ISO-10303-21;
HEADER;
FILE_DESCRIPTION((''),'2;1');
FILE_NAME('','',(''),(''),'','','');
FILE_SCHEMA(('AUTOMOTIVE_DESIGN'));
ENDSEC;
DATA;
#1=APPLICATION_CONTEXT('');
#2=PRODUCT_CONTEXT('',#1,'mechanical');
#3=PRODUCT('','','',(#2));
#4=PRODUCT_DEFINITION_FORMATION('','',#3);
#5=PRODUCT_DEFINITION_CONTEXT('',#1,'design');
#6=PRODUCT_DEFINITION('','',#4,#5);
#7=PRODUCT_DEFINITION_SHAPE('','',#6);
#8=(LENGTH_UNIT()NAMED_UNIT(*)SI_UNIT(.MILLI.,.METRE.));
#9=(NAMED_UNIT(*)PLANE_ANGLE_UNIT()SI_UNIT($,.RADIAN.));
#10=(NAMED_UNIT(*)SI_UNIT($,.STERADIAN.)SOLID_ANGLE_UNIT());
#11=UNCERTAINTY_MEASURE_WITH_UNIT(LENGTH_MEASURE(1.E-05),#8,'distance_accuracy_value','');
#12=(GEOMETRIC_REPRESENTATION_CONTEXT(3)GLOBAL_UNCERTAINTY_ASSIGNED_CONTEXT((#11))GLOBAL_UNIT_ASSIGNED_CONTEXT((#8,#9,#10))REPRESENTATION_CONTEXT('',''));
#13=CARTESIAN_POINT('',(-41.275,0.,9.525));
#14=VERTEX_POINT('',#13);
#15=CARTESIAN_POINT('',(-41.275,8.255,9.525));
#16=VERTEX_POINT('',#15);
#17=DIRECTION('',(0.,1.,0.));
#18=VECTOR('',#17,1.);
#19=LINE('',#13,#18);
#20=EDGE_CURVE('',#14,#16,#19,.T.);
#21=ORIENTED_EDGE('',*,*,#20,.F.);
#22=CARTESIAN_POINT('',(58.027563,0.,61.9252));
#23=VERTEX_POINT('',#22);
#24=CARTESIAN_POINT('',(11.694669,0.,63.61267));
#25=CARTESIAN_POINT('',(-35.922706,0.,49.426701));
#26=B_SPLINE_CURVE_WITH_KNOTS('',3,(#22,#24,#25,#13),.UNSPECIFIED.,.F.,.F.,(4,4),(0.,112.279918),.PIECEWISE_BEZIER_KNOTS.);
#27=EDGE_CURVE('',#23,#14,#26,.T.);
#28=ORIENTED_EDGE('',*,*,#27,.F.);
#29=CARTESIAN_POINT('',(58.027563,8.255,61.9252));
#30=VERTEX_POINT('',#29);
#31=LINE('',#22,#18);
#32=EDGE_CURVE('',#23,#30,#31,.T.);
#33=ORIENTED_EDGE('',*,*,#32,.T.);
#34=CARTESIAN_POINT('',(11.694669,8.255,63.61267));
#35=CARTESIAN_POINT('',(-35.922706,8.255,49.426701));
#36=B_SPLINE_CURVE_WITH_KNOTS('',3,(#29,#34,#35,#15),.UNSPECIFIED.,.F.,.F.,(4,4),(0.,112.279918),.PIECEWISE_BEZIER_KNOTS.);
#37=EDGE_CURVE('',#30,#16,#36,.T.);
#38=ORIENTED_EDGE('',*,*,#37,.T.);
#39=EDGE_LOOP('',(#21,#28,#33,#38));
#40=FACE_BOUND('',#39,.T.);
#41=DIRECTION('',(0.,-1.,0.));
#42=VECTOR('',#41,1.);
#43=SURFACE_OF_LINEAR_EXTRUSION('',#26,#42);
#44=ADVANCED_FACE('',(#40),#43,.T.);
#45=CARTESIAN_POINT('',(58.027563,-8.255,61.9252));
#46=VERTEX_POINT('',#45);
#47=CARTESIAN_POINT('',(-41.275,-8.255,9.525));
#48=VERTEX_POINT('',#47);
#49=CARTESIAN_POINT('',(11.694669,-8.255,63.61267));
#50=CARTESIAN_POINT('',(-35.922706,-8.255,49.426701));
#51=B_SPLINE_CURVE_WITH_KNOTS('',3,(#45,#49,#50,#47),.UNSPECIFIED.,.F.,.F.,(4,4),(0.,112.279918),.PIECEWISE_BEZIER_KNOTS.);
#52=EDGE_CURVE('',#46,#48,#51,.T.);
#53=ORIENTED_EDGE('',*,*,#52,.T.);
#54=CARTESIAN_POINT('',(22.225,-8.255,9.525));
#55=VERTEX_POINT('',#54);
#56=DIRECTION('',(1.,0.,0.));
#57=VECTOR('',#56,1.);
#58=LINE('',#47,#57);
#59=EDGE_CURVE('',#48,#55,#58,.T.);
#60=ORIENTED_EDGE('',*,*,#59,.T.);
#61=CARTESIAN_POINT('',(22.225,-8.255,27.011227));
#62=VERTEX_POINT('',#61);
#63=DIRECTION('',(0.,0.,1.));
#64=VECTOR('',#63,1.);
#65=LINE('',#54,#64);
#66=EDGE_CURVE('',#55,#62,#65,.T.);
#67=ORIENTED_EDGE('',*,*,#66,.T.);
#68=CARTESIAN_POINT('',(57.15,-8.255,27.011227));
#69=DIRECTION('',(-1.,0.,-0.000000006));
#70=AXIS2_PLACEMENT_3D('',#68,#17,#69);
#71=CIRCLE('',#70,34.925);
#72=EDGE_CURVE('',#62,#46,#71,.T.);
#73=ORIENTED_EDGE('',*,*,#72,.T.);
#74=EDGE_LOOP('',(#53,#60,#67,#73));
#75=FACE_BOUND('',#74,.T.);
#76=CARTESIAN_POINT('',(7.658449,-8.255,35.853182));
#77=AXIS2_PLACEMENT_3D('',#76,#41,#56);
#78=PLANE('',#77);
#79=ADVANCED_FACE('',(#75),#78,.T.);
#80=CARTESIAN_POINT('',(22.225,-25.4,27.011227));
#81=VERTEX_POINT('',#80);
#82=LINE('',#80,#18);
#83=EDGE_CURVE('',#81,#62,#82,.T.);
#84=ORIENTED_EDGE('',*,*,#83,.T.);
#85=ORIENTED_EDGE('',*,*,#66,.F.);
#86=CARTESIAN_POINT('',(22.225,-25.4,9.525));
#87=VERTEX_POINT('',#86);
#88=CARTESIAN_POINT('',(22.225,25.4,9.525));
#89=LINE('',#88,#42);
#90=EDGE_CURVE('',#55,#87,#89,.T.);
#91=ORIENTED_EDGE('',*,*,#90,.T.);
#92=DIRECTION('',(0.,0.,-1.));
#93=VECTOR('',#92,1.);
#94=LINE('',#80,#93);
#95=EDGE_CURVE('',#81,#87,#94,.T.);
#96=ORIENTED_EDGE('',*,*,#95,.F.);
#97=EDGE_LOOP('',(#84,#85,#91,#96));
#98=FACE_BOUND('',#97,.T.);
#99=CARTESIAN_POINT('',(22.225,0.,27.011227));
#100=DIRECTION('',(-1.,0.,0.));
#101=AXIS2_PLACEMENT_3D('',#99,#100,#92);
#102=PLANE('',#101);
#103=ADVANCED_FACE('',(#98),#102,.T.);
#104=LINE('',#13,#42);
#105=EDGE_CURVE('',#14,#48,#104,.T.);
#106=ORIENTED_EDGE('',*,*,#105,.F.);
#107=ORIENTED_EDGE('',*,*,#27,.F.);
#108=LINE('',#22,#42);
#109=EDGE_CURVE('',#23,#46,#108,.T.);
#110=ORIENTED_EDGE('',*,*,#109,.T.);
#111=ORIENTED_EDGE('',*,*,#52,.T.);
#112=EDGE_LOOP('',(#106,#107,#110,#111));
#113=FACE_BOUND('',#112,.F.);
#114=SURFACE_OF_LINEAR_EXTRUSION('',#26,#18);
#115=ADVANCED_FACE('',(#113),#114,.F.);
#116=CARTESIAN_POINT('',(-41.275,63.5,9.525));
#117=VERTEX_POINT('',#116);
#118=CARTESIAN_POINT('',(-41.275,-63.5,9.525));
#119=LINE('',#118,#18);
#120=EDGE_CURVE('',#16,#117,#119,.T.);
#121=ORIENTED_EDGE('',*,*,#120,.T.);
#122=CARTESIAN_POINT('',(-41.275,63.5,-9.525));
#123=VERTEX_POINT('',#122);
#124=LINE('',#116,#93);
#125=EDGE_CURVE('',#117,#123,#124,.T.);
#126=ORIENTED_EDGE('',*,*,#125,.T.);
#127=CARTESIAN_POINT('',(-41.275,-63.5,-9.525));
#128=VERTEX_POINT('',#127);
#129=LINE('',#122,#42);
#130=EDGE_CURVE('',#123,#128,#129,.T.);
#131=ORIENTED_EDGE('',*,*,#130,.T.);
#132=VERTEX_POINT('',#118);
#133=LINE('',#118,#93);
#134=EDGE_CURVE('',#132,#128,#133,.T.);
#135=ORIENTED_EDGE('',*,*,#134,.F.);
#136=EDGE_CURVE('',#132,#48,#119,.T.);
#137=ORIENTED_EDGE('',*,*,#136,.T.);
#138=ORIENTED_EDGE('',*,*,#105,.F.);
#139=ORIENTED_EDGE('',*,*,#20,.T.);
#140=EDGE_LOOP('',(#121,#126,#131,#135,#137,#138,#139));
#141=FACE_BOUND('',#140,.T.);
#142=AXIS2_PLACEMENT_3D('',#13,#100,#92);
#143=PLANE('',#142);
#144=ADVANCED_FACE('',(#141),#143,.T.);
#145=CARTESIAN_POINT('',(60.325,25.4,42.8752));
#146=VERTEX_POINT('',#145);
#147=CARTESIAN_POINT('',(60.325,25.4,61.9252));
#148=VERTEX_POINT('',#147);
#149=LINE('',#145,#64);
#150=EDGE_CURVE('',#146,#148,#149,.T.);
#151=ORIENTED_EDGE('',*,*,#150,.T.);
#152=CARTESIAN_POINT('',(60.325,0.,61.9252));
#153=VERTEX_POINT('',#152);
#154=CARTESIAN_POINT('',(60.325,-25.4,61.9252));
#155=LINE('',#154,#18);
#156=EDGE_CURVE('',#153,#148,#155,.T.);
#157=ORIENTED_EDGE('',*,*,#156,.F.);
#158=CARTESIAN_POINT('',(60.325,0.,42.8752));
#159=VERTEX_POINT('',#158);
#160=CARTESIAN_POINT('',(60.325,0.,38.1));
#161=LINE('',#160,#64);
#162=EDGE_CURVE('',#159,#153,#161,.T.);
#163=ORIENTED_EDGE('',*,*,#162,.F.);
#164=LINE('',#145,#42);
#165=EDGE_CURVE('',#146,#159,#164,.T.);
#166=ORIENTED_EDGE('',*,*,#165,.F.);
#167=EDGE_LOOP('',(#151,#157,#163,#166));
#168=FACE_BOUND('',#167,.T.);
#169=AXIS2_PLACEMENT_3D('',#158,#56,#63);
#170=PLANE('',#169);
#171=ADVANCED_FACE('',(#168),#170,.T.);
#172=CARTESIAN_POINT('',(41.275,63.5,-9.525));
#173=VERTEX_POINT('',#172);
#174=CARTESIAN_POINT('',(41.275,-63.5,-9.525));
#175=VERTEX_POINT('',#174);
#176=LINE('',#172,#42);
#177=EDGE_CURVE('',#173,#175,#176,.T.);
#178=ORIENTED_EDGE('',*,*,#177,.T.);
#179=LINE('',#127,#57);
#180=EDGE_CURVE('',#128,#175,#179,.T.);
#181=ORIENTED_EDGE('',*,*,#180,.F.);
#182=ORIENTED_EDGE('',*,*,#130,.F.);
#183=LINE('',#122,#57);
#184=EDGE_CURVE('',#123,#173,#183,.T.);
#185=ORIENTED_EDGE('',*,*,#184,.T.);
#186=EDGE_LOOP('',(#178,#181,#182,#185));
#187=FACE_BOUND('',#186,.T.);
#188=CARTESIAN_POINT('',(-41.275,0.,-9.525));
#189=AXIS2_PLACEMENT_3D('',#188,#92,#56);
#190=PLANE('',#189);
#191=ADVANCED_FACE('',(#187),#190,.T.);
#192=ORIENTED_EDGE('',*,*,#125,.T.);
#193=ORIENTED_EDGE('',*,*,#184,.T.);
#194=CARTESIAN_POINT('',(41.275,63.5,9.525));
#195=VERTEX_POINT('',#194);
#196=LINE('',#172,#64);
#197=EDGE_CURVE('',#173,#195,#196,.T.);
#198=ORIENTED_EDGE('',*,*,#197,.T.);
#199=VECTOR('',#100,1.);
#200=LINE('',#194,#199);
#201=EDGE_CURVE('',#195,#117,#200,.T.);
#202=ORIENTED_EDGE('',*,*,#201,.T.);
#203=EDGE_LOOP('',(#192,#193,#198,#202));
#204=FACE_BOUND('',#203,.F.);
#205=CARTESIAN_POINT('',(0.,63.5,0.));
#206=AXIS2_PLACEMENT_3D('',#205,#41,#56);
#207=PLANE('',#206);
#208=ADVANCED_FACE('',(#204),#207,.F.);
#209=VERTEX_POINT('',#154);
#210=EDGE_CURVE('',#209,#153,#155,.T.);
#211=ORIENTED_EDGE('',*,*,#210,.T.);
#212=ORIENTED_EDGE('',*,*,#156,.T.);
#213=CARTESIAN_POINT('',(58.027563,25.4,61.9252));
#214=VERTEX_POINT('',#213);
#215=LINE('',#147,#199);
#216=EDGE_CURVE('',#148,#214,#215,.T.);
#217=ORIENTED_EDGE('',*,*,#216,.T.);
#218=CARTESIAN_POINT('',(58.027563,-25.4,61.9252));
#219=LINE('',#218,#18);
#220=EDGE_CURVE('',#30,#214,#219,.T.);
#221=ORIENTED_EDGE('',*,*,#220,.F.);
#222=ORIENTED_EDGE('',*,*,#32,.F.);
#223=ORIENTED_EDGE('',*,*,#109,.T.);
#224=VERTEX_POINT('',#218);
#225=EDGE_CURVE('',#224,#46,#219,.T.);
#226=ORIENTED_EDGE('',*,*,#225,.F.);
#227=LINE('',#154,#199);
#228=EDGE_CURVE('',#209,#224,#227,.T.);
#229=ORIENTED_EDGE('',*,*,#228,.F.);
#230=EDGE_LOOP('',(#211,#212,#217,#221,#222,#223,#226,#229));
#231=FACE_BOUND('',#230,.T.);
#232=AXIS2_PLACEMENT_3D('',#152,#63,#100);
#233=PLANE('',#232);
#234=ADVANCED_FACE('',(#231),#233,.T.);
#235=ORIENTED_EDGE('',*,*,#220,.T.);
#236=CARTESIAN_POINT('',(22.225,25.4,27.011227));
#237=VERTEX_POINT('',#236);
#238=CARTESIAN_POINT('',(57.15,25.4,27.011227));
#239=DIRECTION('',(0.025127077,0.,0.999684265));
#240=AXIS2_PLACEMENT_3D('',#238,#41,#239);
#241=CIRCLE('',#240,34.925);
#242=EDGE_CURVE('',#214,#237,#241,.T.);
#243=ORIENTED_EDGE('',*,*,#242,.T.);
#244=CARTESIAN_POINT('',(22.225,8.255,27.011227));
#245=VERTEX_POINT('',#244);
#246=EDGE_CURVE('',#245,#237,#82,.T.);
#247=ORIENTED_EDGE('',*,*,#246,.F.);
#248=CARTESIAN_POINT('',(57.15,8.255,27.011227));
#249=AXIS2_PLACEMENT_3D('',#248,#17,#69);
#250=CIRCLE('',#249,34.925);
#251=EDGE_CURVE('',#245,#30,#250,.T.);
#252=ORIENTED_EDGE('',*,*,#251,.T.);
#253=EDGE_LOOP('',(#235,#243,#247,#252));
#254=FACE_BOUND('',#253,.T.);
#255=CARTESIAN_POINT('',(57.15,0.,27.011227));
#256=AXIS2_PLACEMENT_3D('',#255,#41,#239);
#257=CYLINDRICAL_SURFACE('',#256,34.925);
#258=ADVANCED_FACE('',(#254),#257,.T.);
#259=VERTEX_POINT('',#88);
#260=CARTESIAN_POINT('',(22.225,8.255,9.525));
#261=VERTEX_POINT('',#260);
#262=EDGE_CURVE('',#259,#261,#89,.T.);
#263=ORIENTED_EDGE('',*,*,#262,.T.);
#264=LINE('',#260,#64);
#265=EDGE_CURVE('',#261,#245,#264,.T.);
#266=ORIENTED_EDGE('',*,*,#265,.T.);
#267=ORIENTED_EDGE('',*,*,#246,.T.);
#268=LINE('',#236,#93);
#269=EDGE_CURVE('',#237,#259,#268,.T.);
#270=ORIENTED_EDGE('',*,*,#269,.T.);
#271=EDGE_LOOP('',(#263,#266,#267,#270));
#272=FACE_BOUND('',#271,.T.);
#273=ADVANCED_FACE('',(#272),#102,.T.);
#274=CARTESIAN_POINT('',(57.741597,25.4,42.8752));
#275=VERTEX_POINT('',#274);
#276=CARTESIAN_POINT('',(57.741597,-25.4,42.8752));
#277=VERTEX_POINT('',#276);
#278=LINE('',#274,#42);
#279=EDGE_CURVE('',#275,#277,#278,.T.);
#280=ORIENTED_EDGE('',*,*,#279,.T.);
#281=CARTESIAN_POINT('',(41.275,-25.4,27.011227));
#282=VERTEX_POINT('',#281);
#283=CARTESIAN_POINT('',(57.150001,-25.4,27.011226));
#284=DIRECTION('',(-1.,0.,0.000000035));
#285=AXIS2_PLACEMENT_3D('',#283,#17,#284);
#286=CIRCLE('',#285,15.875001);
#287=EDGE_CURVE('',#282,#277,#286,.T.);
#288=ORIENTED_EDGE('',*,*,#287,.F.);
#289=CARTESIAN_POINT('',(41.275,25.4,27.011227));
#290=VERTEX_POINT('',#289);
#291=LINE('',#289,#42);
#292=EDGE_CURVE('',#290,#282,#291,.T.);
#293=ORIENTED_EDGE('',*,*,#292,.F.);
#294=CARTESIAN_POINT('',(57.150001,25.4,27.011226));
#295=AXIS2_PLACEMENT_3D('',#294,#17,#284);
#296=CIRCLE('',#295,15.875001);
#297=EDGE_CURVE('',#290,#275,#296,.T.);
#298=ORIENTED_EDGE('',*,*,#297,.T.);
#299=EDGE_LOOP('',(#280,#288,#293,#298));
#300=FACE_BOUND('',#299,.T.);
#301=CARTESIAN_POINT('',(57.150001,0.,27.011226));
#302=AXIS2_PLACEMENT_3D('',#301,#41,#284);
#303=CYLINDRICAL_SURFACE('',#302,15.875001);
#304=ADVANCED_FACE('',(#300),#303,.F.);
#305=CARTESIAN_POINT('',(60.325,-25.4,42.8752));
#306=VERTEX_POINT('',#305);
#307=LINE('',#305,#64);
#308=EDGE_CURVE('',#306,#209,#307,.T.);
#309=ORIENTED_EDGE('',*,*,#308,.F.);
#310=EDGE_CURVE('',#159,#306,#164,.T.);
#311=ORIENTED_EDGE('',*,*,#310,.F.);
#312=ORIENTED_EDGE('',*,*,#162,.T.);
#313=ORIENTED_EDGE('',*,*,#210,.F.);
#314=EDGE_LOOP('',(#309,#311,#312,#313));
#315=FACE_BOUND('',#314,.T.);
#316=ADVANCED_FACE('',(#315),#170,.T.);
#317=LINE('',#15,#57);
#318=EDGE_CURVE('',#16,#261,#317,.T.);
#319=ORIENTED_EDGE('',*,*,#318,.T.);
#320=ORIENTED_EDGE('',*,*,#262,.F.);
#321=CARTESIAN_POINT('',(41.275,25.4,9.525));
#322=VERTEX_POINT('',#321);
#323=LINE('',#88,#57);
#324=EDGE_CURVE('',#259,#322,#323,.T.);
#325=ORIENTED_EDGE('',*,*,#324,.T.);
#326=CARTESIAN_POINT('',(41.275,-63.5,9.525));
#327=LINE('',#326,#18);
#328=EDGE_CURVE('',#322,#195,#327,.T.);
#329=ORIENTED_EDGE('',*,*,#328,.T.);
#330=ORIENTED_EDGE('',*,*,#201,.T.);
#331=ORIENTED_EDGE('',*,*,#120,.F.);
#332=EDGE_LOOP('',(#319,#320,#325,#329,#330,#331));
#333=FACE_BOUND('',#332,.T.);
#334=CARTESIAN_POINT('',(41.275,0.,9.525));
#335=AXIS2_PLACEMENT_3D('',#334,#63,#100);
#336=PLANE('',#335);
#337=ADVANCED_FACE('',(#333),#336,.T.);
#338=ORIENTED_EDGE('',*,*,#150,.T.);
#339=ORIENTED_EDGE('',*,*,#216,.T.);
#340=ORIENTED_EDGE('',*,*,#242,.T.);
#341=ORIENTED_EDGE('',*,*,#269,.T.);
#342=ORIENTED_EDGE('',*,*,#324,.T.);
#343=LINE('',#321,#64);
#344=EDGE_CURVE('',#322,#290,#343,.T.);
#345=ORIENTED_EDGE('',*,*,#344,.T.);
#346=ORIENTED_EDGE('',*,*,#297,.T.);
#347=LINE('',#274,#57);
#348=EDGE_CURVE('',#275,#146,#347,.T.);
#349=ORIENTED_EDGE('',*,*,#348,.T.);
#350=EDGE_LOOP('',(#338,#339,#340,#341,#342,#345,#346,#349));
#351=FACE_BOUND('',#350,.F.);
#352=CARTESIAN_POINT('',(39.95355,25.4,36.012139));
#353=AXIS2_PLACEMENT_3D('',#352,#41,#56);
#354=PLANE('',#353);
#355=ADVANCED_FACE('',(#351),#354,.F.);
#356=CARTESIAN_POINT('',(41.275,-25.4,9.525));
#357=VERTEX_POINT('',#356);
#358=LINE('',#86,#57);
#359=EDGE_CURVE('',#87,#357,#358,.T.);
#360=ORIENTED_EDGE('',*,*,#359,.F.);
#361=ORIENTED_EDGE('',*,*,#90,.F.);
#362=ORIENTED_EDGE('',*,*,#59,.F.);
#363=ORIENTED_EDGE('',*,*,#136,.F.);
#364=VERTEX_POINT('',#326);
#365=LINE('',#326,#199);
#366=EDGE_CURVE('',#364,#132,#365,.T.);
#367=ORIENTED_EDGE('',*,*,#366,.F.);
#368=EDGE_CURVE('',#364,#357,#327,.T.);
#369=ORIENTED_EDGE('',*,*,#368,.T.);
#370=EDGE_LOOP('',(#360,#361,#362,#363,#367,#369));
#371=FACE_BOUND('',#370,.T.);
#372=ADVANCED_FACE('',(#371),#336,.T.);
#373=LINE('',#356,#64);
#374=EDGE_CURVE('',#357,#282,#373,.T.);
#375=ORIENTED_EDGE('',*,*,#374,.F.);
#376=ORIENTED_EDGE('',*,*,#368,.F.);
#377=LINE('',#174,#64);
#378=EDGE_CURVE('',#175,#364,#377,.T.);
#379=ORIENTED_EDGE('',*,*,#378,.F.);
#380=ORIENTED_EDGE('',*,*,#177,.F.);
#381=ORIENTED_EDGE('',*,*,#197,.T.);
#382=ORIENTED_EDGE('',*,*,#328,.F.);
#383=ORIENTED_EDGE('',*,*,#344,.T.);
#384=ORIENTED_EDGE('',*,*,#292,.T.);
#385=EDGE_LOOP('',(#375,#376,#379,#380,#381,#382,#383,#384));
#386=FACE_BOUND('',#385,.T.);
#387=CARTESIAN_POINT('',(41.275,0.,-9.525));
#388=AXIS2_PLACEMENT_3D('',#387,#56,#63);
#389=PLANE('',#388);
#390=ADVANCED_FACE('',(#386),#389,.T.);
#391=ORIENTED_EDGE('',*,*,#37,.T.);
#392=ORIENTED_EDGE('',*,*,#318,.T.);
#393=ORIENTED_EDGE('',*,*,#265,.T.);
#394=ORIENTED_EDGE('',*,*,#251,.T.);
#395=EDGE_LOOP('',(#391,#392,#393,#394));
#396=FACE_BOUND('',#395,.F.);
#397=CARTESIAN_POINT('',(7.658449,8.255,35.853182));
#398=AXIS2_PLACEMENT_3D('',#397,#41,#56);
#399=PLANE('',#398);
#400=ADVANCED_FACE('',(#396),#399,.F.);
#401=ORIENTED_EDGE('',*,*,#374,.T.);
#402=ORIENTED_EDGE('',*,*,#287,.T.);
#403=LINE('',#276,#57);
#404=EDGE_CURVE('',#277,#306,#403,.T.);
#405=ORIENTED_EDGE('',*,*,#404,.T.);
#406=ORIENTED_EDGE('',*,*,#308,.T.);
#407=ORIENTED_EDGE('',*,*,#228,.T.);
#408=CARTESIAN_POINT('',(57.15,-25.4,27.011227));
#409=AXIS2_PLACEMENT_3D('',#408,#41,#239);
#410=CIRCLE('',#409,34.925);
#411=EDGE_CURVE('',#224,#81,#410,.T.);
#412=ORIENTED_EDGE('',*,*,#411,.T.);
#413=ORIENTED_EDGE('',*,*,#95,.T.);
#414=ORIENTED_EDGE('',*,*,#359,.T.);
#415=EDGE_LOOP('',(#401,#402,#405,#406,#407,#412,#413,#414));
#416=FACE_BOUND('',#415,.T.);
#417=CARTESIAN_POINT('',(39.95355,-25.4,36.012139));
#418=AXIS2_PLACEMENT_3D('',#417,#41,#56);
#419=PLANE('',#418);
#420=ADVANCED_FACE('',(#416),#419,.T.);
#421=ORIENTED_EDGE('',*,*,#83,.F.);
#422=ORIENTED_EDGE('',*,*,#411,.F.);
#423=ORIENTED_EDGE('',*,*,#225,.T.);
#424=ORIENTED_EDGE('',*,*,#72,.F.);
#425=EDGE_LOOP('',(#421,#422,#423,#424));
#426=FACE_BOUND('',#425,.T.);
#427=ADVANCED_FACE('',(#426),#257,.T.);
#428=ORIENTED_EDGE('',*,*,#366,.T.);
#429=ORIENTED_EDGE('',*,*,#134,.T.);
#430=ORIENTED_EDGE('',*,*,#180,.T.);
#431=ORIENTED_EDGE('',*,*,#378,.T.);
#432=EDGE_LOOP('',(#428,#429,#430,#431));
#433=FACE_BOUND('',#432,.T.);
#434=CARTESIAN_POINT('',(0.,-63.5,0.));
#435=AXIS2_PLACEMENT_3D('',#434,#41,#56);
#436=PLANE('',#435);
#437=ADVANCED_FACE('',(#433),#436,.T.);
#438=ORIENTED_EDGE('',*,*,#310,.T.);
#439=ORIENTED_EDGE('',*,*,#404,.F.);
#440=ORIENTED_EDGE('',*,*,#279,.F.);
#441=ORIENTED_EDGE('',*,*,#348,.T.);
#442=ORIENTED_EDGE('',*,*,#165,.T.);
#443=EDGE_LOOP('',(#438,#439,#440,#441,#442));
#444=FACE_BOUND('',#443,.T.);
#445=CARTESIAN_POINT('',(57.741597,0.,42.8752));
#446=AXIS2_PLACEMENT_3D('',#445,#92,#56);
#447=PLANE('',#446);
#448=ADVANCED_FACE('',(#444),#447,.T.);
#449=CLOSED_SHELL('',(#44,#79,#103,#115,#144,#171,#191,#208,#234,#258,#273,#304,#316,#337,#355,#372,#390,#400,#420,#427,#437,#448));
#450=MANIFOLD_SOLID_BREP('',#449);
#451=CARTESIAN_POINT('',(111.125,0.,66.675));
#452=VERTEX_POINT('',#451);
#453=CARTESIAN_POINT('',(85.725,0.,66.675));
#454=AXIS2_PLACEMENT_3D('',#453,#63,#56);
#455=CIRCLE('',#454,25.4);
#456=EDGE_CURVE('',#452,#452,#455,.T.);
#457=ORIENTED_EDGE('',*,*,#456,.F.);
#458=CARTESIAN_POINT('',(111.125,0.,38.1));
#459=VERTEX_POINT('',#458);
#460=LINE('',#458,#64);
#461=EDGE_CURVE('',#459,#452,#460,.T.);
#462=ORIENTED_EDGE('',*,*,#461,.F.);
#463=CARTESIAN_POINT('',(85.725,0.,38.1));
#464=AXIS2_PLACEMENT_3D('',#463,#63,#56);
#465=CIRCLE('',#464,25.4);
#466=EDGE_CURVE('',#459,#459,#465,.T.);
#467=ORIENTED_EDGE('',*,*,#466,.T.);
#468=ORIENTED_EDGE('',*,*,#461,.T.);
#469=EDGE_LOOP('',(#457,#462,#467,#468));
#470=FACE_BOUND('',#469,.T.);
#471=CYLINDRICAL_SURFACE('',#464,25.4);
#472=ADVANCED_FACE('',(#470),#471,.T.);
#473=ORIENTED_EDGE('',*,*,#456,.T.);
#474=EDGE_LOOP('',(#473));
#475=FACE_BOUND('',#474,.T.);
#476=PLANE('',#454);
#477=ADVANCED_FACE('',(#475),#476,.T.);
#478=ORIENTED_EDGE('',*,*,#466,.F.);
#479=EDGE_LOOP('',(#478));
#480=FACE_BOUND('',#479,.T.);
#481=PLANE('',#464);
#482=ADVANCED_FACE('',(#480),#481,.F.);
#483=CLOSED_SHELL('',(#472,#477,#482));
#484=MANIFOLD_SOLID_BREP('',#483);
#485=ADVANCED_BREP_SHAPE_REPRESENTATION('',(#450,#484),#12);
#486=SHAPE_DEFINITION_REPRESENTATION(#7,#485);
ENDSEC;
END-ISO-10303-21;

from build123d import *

# Parameters (mm, degrees)
F1_DEPTH = 63.5
F2_DEPTH = 25.4
F3_DEPTH = 8.255


with BuildPart() as f1:
    # F0 (on Front) → F1 (new body, symmetric)
    with BuildSketch(Plane.XZ):
        Polygon((22.225, 9.525), (-41.275, 9.525), (-41.275, -9.525), (41.275, -9.525), (41.275, 9.525), align=None)
    extrude(amount=F1_DEPTH, both=True)

    # F0 (on Front) → F2 (join, symmetric)
    with BuildSketch(Plane.XZ):
        with BuildLine():
            Line((22.225, 27.011227), (22.225, 9.525))
            Line((22.225, 9.525), (41.275, 9.525))
            Line((41.275, 9.525), (41.275, 27.011227))
            ThreePointArc((41.275, 27.011227), (46.135827, 38.443795), (57.741597, 42.8752))
            Line((57.741597, 42.8752), (60.325, 42.8752))
            Line((60.325, 42.8752), (60.325, 61.9252))
            Line((60.325, 61.9252), (58.027563, 61.9252))
            ThreePointArc((58.027563, 61.9252), (32.766535, 52.015272), (22.225, 27.011227))
        make_face()
    extrude(amount=F2_DEPTH, both=True)

    # F0 (on Front) → F3 (join, symmetric)
    with BuildSketch(Plane.XZ):
        with BuildLine():
            add(Edge.make_bspline(
                [(58.027563, 61.9252), (11.694669, 63.61267), (-35.922706, 49.426701), (-41.275, 9.525)],
                knots=[0, 0, 0, 0, 112.279918, 112.279918, 112.279918, 112.279918], degree=3))
            Line((-41.275, 9.525), (22.225, 9.525))
            Line((22.225, 9.525), (22.225, 27.011227))
            ThreePointArc((22.225, 27.011227), (32.766535, 52.015272), (58.027563, 61.9252))
        make_face()
    extrude(amount=F3_DEPTH, both=True)

    # F0 (on Front) → F4 (revolve)
    with BuildSketch(Plane.XZ):
        Polygon((85.725, 66.675), (85.725, 61.9252), (85.725, 42.8752), (85.725, 38.1), (111.125, 38.1), (111.125, 66.675), align=None)
    revolve(axis=Axis((85.725, 0, 52.3875), (0, 0, 1)))


solid = f1.part
